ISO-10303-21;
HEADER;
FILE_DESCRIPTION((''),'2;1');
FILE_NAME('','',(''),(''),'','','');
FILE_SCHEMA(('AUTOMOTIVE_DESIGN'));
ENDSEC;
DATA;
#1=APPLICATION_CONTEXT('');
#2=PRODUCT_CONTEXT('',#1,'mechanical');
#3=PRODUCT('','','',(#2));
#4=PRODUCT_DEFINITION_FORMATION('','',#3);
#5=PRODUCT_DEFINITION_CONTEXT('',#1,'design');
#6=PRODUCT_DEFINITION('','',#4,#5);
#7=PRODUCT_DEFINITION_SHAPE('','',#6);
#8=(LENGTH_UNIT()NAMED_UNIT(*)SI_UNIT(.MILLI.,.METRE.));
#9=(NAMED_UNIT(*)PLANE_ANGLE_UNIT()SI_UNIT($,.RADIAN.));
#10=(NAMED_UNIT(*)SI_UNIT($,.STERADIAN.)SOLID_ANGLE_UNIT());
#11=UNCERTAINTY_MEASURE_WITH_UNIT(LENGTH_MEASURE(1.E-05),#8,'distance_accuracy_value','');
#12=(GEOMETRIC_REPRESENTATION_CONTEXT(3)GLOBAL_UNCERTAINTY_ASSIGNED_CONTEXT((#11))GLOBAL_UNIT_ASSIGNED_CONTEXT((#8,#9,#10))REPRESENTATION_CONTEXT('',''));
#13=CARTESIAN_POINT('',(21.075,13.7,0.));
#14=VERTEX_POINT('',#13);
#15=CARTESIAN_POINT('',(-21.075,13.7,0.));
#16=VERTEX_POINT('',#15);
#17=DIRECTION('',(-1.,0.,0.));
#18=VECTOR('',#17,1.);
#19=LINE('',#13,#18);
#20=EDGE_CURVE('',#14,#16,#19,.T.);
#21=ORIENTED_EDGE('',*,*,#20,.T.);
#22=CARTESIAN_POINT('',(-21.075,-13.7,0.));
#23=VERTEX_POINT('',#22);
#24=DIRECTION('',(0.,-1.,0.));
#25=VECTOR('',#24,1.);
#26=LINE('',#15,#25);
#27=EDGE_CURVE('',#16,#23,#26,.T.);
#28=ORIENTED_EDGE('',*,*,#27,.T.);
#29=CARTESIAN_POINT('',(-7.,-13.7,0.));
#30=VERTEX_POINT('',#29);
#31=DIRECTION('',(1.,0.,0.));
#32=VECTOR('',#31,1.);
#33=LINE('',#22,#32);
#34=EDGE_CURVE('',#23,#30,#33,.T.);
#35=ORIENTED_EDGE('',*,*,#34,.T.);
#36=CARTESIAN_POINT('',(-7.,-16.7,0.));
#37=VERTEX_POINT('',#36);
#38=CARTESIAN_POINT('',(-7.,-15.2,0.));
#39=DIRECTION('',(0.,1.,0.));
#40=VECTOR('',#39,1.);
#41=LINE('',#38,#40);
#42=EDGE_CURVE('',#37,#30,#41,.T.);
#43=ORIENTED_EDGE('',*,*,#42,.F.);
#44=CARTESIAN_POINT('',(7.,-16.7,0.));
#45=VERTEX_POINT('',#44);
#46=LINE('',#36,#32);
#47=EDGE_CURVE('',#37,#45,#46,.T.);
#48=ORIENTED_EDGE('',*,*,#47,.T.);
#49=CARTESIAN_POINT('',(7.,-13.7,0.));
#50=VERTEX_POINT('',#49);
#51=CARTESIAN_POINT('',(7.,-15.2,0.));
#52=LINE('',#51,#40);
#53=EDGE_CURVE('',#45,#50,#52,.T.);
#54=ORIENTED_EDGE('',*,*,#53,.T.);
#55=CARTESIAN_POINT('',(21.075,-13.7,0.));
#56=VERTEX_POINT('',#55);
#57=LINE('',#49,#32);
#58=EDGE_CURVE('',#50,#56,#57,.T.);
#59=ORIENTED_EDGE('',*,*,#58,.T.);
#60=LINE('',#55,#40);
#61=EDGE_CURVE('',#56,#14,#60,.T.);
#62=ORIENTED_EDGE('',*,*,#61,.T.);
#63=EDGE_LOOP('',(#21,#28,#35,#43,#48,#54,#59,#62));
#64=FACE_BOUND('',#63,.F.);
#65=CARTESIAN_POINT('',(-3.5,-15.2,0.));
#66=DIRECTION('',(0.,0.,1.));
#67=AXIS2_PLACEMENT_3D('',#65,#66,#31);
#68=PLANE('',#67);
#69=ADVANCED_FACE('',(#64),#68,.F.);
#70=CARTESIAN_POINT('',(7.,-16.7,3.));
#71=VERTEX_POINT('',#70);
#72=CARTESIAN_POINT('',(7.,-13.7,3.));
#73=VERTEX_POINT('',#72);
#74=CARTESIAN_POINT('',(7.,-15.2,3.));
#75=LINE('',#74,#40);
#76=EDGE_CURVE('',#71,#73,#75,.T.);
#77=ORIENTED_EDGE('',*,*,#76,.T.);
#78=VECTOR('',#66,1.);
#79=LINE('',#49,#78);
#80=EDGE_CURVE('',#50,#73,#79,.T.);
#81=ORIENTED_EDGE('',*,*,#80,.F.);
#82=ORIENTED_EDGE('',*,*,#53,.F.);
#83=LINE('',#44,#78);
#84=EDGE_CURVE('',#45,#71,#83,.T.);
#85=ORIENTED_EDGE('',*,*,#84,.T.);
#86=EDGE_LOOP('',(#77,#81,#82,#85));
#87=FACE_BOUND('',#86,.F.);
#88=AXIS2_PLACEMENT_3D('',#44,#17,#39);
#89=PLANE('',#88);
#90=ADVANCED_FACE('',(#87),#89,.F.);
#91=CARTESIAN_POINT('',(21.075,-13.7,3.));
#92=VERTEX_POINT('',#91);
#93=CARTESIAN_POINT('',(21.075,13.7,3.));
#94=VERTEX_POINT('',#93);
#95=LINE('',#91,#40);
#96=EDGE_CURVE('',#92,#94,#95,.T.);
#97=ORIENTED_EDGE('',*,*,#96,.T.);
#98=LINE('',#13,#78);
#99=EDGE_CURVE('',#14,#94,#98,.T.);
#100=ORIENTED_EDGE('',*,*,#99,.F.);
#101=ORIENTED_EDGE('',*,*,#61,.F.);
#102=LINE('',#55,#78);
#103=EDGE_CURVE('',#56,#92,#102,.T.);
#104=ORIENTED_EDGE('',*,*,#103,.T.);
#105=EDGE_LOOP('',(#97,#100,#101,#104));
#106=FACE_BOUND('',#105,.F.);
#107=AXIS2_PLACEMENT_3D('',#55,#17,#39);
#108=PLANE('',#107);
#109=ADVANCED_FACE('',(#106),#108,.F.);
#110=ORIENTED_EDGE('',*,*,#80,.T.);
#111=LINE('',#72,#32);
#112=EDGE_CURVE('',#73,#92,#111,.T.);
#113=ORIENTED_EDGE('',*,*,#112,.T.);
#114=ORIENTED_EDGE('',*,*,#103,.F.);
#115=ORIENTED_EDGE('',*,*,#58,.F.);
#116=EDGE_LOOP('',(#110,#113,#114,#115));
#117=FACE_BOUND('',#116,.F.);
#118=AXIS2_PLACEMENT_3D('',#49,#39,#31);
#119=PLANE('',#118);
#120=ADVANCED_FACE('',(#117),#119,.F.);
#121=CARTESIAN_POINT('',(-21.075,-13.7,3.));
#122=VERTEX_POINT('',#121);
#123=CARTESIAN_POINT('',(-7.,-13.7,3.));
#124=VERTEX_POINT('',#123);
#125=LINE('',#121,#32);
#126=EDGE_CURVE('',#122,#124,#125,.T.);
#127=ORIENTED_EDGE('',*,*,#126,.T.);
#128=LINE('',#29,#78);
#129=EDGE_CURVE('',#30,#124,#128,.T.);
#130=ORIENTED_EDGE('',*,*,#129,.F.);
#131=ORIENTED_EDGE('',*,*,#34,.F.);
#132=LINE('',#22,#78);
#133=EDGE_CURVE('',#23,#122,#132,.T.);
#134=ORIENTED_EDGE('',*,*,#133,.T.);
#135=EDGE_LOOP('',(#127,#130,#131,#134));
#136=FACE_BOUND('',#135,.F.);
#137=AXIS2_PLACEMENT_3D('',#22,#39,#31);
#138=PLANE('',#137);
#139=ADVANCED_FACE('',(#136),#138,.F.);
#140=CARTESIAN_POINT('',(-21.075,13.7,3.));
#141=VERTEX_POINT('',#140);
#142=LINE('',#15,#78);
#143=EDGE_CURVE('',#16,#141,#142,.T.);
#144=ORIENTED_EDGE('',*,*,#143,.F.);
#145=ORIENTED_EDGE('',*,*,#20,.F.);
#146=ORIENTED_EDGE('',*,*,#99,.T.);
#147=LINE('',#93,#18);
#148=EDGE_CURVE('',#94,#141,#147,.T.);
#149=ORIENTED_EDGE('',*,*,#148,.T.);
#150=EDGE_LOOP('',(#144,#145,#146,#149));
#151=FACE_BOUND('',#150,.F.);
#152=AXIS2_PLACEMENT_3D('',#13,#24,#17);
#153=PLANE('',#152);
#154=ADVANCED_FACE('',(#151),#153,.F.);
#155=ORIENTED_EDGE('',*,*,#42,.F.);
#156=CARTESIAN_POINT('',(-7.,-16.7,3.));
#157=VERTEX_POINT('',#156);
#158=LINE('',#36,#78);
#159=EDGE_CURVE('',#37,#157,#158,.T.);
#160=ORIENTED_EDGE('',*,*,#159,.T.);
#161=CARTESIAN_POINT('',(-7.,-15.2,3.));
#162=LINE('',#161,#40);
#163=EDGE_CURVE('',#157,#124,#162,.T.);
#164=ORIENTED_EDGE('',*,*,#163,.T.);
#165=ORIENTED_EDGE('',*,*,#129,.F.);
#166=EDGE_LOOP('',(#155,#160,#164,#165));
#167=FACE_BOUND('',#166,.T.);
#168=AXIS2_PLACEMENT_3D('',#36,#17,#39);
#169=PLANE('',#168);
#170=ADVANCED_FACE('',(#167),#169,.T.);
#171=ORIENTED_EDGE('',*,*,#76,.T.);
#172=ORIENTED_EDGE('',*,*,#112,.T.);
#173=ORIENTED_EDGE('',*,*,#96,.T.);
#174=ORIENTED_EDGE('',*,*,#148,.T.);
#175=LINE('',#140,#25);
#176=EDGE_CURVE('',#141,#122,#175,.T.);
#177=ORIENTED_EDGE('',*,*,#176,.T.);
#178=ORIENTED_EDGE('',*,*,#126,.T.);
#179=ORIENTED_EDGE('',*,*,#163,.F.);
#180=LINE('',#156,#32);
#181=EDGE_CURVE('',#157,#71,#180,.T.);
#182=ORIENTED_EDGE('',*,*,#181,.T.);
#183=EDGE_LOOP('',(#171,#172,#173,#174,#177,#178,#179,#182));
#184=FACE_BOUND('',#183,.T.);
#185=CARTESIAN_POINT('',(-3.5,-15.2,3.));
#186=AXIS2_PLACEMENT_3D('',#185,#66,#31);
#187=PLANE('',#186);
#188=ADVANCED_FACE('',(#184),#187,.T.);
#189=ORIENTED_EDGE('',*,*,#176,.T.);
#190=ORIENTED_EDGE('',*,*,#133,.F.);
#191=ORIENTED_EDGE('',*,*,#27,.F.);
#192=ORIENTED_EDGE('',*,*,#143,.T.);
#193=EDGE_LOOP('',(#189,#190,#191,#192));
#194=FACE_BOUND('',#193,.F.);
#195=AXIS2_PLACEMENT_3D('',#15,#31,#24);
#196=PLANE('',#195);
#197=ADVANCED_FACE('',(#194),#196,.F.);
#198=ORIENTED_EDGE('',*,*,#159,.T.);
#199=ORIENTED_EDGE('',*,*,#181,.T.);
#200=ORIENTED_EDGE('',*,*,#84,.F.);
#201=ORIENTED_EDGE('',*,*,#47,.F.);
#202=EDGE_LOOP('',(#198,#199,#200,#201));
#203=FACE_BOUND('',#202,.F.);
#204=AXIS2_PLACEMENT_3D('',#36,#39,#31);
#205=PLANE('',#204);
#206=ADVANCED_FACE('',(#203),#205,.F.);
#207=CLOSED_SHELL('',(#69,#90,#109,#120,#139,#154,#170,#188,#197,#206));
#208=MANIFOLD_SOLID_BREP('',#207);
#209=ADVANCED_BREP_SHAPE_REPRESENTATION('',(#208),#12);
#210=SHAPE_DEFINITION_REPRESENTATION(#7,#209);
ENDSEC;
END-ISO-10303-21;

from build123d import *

# Parameters (mm, degrees)
F0_W     = 7
F0_H     = 3
F1_DEPTH = 3


with BuildPart() as f1:
    # F0 (on Top) → F1 (new body)
    with BuildSketch(Plane.XY):
        with Locations((-3.5, -15.2)):
            Rectangle(F0_W, F0_H)
        with Locations((3.5, -15.2)):
            Rectangle(F0_W, F0_H)
        Polygon((21.075, 13.7), (-21.075, 13.7), (-21.075, -13.7), (-7, -13.7), (0, -13.7), (7, -13.7), (21.075, -13.7), align=None)
    extrude(amount=F1_DEPTH)


solid = f1.part
